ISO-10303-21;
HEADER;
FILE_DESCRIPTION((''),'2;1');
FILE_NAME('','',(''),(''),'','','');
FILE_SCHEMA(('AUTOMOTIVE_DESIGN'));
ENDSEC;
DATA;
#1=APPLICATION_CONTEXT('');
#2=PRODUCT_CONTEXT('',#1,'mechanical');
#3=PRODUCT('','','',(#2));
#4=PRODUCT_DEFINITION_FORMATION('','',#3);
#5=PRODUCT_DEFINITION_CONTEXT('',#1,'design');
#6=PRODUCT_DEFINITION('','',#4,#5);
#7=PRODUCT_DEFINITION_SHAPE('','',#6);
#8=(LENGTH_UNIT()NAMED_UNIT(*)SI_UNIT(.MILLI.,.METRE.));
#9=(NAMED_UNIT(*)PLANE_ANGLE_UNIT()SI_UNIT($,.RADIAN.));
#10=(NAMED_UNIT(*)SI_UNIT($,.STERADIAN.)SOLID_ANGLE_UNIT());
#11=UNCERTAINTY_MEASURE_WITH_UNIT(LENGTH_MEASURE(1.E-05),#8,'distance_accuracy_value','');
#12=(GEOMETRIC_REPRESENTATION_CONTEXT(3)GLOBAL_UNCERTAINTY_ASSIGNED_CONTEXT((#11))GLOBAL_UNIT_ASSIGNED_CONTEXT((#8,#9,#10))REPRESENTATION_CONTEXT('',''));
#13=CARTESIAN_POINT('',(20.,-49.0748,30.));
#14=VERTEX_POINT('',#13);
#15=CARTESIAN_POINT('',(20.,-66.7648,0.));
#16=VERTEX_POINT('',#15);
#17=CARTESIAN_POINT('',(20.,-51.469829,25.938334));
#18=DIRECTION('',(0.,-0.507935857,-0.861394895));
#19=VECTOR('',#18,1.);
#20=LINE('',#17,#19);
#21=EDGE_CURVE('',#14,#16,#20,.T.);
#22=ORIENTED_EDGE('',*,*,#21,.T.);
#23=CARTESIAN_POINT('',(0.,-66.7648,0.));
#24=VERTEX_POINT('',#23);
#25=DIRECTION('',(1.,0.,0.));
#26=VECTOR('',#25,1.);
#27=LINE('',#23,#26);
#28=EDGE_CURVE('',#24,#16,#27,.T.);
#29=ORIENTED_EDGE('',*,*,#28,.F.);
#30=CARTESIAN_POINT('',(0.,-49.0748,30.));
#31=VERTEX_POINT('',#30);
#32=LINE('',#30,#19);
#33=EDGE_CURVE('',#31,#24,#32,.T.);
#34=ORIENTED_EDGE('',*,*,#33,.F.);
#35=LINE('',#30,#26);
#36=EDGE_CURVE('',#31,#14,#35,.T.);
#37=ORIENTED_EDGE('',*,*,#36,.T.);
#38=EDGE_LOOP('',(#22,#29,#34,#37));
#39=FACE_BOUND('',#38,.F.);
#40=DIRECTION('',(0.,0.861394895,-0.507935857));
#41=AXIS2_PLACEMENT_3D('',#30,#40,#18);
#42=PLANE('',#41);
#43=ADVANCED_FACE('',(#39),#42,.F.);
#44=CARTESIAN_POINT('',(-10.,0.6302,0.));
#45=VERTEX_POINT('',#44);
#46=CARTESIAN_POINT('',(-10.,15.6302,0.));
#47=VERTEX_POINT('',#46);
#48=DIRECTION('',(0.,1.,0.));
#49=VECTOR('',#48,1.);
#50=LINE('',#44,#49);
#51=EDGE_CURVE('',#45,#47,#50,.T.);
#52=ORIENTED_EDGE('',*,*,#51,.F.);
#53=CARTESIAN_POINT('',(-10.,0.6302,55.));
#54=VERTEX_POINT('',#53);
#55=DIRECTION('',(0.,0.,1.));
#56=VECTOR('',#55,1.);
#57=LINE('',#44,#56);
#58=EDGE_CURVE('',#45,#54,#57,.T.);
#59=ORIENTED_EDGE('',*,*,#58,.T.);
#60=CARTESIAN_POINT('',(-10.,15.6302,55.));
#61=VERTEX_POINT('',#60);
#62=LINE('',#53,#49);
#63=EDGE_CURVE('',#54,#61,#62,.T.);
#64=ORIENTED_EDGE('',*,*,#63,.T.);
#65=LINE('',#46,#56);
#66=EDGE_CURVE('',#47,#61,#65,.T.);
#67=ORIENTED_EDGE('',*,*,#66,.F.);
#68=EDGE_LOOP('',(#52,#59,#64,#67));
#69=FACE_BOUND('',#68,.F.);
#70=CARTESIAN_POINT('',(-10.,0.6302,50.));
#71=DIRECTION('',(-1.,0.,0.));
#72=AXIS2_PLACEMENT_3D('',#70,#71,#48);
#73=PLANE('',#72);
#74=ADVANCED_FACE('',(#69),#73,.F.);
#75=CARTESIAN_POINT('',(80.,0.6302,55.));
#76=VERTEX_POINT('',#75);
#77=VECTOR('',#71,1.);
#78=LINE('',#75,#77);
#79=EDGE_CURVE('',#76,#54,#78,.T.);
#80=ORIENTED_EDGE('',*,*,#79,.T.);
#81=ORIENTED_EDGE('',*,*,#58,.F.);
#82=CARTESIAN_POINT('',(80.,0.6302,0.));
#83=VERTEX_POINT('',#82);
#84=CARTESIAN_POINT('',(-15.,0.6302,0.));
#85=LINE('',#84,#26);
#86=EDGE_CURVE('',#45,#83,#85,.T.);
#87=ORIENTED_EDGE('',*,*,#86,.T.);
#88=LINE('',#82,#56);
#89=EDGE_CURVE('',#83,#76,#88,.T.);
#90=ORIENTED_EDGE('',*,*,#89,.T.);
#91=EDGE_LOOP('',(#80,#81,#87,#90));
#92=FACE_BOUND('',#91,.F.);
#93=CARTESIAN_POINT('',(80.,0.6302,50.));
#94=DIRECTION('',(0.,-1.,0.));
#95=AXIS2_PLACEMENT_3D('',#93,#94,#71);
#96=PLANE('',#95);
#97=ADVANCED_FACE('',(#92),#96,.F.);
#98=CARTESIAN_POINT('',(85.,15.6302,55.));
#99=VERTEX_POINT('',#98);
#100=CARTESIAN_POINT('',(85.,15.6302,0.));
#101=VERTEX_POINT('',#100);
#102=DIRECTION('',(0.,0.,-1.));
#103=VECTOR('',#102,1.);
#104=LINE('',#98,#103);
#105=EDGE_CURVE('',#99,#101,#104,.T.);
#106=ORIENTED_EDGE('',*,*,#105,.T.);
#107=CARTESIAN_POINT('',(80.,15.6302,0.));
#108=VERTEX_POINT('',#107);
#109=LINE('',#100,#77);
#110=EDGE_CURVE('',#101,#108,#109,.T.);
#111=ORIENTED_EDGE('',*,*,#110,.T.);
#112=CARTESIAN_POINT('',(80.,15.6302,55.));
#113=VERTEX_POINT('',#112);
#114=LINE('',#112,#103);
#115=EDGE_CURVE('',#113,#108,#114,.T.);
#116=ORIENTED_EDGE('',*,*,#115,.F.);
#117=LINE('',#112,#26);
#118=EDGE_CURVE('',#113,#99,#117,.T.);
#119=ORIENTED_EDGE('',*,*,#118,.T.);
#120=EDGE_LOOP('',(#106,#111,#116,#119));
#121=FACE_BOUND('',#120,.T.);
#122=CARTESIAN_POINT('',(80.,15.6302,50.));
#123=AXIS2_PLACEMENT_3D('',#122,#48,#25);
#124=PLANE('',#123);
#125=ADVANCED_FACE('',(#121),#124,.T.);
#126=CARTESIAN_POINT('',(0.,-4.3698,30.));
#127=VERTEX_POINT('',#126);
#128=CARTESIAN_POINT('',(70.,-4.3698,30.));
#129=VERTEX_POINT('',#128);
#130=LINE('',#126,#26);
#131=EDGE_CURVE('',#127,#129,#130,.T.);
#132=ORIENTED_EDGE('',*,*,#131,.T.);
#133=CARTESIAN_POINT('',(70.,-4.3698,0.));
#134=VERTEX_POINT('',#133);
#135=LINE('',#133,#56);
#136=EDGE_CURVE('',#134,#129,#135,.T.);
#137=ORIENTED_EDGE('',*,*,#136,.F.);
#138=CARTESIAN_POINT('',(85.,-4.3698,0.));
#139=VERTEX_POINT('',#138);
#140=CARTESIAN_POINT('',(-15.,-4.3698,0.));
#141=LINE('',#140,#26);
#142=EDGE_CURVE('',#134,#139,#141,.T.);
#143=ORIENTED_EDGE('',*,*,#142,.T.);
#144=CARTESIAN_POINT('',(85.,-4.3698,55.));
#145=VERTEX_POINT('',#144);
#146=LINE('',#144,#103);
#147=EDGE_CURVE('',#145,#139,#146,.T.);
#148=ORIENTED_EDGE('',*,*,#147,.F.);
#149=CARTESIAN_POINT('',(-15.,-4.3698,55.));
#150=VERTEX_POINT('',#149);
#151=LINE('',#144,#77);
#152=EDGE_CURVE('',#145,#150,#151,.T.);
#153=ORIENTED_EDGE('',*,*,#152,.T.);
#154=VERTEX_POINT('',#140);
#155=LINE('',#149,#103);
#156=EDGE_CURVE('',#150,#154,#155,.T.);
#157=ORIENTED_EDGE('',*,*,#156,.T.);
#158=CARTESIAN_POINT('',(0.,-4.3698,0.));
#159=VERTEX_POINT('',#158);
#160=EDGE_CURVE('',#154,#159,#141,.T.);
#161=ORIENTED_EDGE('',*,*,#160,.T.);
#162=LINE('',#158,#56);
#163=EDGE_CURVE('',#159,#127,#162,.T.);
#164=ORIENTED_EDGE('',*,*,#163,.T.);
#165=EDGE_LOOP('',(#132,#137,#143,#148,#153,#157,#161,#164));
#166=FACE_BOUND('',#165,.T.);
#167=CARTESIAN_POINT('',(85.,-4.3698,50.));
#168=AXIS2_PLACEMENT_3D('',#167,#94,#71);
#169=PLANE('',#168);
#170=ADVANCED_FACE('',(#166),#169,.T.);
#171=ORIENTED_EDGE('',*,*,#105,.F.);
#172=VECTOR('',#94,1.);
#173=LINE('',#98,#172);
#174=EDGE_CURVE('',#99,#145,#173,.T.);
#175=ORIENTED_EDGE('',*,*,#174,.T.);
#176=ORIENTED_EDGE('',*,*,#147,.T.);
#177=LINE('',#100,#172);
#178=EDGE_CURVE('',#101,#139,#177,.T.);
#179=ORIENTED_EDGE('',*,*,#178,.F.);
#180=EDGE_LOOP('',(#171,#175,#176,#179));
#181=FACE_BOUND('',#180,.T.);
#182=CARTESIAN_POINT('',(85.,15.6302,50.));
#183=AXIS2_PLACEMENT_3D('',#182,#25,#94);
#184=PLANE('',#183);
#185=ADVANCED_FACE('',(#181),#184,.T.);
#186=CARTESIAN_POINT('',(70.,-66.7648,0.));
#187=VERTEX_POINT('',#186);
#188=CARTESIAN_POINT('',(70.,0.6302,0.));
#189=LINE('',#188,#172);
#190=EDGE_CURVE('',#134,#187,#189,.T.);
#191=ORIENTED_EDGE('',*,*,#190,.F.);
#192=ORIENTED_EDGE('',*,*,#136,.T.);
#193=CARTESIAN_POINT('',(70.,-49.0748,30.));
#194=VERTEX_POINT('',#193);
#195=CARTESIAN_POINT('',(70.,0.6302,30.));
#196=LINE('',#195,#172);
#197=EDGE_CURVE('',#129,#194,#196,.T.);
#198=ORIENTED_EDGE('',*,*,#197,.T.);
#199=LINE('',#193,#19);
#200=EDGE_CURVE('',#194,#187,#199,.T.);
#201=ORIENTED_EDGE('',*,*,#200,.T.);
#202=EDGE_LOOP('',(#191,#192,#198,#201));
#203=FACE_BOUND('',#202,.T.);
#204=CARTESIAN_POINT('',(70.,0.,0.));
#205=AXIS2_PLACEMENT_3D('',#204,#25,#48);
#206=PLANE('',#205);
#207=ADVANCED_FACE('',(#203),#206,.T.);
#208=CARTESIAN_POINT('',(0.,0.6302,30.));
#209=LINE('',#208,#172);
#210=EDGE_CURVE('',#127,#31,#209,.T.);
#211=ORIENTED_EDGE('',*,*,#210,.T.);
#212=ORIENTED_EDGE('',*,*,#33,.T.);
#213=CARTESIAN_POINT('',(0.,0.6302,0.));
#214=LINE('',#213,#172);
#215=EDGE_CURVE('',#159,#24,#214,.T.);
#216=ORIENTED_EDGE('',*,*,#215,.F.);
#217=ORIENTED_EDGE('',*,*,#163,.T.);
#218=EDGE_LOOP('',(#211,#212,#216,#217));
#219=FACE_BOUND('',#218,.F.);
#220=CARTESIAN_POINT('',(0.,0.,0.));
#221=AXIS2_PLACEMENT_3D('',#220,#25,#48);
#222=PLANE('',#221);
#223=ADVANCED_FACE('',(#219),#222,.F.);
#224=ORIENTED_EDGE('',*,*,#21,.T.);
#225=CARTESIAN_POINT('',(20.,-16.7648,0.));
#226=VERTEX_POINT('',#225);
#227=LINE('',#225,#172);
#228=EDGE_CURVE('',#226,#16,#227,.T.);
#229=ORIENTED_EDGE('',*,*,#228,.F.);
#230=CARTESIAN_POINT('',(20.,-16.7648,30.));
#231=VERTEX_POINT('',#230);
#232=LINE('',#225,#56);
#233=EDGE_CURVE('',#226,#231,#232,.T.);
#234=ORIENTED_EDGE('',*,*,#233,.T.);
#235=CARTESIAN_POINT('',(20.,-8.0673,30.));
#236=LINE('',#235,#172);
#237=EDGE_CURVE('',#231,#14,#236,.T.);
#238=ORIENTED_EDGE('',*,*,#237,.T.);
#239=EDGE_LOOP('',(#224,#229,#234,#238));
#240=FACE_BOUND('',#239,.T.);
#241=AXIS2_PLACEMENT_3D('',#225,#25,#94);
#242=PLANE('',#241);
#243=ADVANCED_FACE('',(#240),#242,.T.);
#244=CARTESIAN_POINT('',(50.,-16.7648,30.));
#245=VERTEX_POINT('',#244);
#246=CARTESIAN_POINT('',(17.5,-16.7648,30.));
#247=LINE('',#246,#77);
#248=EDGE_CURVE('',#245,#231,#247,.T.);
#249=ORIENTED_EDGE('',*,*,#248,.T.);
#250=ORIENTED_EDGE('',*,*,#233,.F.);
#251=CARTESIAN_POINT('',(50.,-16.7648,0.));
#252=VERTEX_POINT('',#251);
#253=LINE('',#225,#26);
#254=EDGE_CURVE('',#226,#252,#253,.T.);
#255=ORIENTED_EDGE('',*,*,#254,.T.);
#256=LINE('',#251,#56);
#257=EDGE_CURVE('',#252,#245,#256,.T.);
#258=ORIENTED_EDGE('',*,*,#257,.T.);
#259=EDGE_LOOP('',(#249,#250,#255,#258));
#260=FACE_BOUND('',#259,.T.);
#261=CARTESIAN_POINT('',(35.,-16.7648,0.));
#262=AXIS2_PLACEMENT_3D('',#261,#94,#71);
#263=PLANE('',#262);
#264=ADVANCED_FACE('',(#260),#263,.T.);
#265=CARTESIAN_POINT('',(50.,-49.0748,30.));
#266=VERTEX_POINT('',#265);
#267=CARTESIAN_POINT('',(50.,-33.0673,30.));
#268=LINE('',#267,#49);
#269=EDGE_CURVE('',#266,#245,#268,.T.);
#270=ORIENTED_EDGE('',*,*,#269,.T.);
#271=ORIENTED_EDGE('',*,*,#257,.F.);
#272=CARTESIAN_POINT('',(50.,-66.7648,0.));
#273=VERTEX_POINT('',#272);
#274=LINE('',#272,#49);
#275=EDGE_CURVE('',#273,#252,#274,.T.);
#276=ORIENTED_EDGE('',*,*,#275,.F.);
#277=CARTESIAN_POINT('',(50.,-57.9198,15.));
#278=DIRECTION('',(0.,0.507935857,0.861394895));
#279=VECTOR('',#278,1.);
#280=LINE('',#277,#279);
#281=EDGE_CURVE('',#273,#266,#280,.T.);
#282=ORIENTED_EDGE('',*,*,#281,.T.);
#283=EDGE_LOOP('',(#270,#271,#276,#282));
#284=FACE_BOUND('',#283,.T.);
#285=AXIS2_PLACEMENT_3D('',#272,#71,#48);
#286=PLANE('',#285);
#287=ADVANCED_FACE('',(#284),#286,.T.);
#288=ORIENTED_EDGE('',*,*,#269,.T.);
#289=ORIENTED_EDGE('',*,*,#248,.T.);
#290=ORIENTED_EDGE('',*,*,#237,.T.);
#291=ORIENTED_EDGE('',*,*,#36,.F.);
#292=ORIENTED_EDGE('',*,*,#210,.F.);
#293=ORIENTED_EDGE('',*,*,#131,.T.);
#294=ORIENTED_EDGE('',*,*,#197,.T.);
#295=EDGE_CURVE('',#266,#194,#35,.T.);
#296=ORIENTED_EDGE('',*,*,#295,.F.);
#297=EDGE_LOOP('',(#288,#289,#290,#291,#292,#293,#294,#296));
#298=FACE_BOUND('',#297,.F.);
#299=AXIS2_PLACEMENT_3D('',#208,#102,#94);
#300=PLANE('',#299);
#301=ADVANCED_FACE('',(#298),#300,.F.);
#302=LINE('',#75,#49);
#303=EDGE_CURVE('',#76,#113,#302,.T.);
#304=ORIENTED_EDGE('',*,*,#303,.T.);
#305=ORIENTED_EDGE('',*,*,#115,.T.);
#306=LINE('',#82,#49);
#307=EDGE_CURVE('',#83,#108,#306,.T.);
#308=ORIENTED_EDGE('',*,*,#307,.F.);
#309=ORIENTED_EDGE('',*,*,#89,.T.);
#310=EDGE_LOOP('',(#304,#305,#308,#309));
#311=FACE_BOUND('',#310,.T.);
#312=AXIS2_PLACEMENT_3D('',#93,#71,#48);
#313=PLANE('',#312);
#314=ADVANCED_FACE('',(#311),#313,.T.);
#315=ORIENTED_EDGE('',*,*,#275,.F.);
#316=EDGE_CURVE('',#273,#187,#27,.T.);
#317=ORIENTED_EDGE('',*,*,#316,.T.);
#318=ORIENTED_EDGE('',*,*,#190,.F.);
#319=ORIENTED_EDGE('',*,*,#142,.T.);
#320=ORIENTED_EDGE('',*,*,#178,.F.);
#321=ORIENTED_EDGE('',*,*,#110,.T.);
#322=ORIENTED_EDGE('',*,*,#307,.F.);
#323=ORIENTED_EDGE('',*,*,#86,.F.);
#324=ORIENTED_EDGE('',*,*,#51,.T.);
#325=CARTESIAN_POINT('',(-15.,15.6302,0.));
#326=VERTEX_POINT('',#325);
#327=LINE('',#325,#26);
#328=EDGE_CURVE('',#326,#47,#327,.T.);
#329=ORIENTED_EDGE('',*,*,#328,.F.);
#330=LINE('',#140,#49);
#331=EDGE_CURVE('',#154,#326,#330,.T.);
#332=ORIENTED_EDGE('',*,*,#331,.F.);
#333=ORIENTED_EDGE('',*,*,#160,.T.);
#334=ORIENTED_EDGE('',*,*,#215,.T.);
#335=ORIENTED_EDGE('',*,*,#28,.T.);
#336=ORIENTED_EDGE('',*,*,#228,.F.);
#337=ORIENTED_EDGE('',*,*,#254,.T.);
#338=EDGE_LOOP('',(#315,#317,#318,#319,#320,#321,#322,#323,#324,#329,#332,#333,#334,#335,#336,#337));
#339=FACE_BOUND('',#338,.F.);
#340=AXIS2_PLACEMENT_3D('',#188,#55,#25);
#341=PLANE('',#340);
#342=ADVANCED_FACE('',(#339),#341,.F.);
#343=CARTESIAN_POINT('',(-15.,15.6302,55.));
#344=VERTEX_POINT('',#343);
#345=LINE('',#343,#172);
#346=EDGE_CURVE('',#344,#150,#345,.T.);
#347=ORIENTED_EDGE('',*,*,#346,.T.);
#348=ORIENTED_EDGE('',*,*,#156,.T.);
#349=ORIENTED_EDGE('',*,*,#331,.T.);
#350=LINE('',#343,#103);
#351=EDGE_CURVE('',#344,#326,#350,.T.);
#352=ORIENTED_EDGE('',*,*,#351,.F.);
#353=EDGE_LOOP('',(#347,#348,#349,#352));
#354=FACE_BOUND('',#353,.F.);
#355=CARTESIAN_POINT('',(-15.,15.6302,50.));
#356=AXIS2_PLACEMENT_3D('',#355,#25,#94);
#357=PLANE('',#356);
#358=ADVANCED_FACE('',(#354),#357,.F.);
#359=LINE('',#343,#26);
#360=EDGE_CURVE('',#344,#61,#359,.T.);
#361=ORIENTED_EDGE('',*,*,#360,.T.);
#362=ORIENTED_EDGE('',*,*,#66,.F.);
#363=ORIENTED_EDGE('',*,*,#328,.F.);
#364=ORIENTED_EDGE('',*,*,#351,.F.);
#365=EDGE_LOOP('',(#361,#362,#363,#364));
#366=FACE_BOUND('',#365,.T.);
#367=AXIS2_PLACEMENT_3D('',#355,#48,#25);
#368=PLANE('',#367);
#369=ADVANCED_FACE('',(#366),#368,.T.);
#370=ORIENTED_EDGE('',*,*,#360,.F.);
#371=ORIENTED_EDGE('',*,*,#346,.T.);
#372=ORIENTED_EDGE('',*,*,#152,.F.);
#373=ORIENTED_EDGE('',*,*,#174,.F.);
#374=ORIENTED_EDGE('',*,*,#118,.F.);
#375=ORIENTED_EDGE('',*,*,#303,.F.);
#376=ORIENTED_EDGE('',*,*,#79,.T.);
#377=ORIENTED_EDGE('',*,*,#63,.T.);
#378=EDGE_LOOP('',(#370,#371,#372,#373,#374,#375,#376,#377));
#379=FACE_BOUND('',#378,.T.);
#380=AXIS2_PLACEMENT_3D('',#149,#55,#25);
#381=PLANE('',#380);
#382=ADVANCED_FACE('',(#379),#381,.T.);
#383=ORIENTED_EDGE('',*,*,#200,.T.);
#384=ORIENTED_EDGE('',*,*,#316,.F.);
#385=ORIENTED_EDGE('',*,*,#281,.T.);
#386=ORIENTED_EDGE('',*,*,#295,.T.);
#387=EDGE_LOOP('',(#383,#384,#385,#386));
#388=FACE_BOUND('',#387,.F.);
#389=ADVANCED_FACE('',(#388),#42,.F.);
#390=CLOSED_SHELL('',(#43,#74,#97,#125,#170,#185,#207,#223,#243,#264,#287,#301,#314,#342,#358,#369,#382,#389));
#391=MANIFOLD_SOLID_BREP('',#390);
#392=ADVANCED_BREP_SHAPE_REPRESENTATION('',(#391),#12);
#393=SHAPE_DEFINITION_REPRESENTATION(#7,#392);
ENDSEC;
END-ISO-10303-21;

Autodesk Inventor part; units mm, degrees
ref_plane "YZ Plane" through (0, 0, 0) normal (1, 0, 0) x (0, 1, 0)
ref_plane "XZ Plane" through (0, 0, 0) normal (0, 1, 0) x (-1, 0, 0)
ref_plane "XY Plane" through (0, 0, 0) normal (0, 0, 1) x (1, 0, 0)
sketch "スケッチ1" plane through (0, 0, 0) normal (1, 0, 0) x (0, 1, 0)
  line L0 (0.6302, 30) -> (-49.0748, 30)
  line L1 (0.6302, 0) -> (-66.7648, 0)
  line L2 (-49.0748, 30) -> (-66.7648, 0)
  line L3 (0.6302, 30) -> (0.6302, 0)
  line L4 (0.6302, 0) -> (0.6302, 30)
  point P0 (0, 0)
  dimension "d0" = 30
  dimension "d30" = 67.395
  dimension "d31" = 49.705
extrude "押し出し1" add sketch "スケッチ1" along normal blind 70
sketch "スケッチ7" plane through (0, -66.7648, 0) normal (0, 0, -1) x (-1, 0, 0)
  line L0 (0, 67.395) -> (-70, 67.395) projected
  line L1 (0, 0) -> (-70, 0) projected
  line L2 (-35, 67.395) -> (-35, 0)
  line L3 (-35, 0) -> (-35, 50)
  line L4 (-50, 50) -> (-20, 50)
  line L5 (-20, 50) -> (-20, 0)
  line L6 (-20, 0) -> (-50, 0)
  line L7 (-50, 0) -> (-50, 50)
  line L8 (-50, 50) -> (-20, 0) construction
  line L9 (-20, 50) -> (-50, 0) construction
  point P0 (0, 66.7648)
  point P1 (-35, 25)
  dimension "d32" = 50
  dimension "d33" = 30
extrude "押し出し4" cut sketch "スケッチ7" against normal blind 50
sketch "スケッチ8" plane through (0, 0.6302, 30) normal (0, 1, 0) x (1, 0, 0)
  line L0 (0, 30) -> (0, 0) projected
  line L1 (0, 0) -> (70, 0) projected
  line L2 (70, 30) -> (70, 0) projected
  line L3 (0, 30) -> (70, 30) projected
  line L4 (-15, 30) -> (85, 30)
  line L5 (85, 30) -> (85, -20)
  line L6 (85, -20) -> (-15, -20)
  line L7 (-15, -20) -> (-15, 30)
  line L8 (-15, 30) -> (85, -20) construction
  line L9 (85, 30) -> (-15, -20) construction
  point P0 (35, 5)
  dimension "d36" = 100
  dimension "d37" = 50
  dimension "d44" = 30
extrude "押し出し5" add sketch "スケッチ8" against normal blind 5 contours L0 L1 L2 L4 L5 L6 L7
sketch "スケッチ9" plane through (-15, 0.6302, 0) normal (0, 1, 0) x (1, 0, 0)
  line L0 (100, -50) -> (0, -50) projected
  line L1 (0, 0) -> (5, 0)
  line L2 (5, 0) -> (5, -50)
  line L3 (5, -50) -> (0, -50)
  line L4 (0, -50) -> (0, 0)
  line L5 (100, 0) -> (95, 0)
  line L6 (95, 0) -> (95, -50)
  line L7 (95, -50) -> (100, -50)
  line L8 (100, -50) -> (100, 0)
  point P0 (15, 0)
  dimension "d40" = 5
  dimension "d41" = 5
extrude "押し出し6" add sketch "スケッチ9" along normal blind 15
sketch "スケッチ10" plane through (-15, -4.3698, 50) normal (0, 0, 1) x (1, 0, 0)
  line L0 (95, 5) -> (5, 5) projected
  line L1 (5, 5) -> (5, 20) projected
  line L2 (0, 20) -> (5, 20) projected
  line L3 (0, 20) -> (0, 0) projected
  line L4 (100, 0) -> (0, 0) projected
  line L5 (100, 20) -> (100, 0) projected
  line L6 (95, 20) -> (100, 20) projected
  line L7 (95, 5) -> (95, 20) projected
  point P0 (15, 4.3698)
extrude "押し出し7" add sketch "スケッチ10" along normal blind 5
properties part number "知能ロボコン発射台支え" material "ABS プラスチック"
